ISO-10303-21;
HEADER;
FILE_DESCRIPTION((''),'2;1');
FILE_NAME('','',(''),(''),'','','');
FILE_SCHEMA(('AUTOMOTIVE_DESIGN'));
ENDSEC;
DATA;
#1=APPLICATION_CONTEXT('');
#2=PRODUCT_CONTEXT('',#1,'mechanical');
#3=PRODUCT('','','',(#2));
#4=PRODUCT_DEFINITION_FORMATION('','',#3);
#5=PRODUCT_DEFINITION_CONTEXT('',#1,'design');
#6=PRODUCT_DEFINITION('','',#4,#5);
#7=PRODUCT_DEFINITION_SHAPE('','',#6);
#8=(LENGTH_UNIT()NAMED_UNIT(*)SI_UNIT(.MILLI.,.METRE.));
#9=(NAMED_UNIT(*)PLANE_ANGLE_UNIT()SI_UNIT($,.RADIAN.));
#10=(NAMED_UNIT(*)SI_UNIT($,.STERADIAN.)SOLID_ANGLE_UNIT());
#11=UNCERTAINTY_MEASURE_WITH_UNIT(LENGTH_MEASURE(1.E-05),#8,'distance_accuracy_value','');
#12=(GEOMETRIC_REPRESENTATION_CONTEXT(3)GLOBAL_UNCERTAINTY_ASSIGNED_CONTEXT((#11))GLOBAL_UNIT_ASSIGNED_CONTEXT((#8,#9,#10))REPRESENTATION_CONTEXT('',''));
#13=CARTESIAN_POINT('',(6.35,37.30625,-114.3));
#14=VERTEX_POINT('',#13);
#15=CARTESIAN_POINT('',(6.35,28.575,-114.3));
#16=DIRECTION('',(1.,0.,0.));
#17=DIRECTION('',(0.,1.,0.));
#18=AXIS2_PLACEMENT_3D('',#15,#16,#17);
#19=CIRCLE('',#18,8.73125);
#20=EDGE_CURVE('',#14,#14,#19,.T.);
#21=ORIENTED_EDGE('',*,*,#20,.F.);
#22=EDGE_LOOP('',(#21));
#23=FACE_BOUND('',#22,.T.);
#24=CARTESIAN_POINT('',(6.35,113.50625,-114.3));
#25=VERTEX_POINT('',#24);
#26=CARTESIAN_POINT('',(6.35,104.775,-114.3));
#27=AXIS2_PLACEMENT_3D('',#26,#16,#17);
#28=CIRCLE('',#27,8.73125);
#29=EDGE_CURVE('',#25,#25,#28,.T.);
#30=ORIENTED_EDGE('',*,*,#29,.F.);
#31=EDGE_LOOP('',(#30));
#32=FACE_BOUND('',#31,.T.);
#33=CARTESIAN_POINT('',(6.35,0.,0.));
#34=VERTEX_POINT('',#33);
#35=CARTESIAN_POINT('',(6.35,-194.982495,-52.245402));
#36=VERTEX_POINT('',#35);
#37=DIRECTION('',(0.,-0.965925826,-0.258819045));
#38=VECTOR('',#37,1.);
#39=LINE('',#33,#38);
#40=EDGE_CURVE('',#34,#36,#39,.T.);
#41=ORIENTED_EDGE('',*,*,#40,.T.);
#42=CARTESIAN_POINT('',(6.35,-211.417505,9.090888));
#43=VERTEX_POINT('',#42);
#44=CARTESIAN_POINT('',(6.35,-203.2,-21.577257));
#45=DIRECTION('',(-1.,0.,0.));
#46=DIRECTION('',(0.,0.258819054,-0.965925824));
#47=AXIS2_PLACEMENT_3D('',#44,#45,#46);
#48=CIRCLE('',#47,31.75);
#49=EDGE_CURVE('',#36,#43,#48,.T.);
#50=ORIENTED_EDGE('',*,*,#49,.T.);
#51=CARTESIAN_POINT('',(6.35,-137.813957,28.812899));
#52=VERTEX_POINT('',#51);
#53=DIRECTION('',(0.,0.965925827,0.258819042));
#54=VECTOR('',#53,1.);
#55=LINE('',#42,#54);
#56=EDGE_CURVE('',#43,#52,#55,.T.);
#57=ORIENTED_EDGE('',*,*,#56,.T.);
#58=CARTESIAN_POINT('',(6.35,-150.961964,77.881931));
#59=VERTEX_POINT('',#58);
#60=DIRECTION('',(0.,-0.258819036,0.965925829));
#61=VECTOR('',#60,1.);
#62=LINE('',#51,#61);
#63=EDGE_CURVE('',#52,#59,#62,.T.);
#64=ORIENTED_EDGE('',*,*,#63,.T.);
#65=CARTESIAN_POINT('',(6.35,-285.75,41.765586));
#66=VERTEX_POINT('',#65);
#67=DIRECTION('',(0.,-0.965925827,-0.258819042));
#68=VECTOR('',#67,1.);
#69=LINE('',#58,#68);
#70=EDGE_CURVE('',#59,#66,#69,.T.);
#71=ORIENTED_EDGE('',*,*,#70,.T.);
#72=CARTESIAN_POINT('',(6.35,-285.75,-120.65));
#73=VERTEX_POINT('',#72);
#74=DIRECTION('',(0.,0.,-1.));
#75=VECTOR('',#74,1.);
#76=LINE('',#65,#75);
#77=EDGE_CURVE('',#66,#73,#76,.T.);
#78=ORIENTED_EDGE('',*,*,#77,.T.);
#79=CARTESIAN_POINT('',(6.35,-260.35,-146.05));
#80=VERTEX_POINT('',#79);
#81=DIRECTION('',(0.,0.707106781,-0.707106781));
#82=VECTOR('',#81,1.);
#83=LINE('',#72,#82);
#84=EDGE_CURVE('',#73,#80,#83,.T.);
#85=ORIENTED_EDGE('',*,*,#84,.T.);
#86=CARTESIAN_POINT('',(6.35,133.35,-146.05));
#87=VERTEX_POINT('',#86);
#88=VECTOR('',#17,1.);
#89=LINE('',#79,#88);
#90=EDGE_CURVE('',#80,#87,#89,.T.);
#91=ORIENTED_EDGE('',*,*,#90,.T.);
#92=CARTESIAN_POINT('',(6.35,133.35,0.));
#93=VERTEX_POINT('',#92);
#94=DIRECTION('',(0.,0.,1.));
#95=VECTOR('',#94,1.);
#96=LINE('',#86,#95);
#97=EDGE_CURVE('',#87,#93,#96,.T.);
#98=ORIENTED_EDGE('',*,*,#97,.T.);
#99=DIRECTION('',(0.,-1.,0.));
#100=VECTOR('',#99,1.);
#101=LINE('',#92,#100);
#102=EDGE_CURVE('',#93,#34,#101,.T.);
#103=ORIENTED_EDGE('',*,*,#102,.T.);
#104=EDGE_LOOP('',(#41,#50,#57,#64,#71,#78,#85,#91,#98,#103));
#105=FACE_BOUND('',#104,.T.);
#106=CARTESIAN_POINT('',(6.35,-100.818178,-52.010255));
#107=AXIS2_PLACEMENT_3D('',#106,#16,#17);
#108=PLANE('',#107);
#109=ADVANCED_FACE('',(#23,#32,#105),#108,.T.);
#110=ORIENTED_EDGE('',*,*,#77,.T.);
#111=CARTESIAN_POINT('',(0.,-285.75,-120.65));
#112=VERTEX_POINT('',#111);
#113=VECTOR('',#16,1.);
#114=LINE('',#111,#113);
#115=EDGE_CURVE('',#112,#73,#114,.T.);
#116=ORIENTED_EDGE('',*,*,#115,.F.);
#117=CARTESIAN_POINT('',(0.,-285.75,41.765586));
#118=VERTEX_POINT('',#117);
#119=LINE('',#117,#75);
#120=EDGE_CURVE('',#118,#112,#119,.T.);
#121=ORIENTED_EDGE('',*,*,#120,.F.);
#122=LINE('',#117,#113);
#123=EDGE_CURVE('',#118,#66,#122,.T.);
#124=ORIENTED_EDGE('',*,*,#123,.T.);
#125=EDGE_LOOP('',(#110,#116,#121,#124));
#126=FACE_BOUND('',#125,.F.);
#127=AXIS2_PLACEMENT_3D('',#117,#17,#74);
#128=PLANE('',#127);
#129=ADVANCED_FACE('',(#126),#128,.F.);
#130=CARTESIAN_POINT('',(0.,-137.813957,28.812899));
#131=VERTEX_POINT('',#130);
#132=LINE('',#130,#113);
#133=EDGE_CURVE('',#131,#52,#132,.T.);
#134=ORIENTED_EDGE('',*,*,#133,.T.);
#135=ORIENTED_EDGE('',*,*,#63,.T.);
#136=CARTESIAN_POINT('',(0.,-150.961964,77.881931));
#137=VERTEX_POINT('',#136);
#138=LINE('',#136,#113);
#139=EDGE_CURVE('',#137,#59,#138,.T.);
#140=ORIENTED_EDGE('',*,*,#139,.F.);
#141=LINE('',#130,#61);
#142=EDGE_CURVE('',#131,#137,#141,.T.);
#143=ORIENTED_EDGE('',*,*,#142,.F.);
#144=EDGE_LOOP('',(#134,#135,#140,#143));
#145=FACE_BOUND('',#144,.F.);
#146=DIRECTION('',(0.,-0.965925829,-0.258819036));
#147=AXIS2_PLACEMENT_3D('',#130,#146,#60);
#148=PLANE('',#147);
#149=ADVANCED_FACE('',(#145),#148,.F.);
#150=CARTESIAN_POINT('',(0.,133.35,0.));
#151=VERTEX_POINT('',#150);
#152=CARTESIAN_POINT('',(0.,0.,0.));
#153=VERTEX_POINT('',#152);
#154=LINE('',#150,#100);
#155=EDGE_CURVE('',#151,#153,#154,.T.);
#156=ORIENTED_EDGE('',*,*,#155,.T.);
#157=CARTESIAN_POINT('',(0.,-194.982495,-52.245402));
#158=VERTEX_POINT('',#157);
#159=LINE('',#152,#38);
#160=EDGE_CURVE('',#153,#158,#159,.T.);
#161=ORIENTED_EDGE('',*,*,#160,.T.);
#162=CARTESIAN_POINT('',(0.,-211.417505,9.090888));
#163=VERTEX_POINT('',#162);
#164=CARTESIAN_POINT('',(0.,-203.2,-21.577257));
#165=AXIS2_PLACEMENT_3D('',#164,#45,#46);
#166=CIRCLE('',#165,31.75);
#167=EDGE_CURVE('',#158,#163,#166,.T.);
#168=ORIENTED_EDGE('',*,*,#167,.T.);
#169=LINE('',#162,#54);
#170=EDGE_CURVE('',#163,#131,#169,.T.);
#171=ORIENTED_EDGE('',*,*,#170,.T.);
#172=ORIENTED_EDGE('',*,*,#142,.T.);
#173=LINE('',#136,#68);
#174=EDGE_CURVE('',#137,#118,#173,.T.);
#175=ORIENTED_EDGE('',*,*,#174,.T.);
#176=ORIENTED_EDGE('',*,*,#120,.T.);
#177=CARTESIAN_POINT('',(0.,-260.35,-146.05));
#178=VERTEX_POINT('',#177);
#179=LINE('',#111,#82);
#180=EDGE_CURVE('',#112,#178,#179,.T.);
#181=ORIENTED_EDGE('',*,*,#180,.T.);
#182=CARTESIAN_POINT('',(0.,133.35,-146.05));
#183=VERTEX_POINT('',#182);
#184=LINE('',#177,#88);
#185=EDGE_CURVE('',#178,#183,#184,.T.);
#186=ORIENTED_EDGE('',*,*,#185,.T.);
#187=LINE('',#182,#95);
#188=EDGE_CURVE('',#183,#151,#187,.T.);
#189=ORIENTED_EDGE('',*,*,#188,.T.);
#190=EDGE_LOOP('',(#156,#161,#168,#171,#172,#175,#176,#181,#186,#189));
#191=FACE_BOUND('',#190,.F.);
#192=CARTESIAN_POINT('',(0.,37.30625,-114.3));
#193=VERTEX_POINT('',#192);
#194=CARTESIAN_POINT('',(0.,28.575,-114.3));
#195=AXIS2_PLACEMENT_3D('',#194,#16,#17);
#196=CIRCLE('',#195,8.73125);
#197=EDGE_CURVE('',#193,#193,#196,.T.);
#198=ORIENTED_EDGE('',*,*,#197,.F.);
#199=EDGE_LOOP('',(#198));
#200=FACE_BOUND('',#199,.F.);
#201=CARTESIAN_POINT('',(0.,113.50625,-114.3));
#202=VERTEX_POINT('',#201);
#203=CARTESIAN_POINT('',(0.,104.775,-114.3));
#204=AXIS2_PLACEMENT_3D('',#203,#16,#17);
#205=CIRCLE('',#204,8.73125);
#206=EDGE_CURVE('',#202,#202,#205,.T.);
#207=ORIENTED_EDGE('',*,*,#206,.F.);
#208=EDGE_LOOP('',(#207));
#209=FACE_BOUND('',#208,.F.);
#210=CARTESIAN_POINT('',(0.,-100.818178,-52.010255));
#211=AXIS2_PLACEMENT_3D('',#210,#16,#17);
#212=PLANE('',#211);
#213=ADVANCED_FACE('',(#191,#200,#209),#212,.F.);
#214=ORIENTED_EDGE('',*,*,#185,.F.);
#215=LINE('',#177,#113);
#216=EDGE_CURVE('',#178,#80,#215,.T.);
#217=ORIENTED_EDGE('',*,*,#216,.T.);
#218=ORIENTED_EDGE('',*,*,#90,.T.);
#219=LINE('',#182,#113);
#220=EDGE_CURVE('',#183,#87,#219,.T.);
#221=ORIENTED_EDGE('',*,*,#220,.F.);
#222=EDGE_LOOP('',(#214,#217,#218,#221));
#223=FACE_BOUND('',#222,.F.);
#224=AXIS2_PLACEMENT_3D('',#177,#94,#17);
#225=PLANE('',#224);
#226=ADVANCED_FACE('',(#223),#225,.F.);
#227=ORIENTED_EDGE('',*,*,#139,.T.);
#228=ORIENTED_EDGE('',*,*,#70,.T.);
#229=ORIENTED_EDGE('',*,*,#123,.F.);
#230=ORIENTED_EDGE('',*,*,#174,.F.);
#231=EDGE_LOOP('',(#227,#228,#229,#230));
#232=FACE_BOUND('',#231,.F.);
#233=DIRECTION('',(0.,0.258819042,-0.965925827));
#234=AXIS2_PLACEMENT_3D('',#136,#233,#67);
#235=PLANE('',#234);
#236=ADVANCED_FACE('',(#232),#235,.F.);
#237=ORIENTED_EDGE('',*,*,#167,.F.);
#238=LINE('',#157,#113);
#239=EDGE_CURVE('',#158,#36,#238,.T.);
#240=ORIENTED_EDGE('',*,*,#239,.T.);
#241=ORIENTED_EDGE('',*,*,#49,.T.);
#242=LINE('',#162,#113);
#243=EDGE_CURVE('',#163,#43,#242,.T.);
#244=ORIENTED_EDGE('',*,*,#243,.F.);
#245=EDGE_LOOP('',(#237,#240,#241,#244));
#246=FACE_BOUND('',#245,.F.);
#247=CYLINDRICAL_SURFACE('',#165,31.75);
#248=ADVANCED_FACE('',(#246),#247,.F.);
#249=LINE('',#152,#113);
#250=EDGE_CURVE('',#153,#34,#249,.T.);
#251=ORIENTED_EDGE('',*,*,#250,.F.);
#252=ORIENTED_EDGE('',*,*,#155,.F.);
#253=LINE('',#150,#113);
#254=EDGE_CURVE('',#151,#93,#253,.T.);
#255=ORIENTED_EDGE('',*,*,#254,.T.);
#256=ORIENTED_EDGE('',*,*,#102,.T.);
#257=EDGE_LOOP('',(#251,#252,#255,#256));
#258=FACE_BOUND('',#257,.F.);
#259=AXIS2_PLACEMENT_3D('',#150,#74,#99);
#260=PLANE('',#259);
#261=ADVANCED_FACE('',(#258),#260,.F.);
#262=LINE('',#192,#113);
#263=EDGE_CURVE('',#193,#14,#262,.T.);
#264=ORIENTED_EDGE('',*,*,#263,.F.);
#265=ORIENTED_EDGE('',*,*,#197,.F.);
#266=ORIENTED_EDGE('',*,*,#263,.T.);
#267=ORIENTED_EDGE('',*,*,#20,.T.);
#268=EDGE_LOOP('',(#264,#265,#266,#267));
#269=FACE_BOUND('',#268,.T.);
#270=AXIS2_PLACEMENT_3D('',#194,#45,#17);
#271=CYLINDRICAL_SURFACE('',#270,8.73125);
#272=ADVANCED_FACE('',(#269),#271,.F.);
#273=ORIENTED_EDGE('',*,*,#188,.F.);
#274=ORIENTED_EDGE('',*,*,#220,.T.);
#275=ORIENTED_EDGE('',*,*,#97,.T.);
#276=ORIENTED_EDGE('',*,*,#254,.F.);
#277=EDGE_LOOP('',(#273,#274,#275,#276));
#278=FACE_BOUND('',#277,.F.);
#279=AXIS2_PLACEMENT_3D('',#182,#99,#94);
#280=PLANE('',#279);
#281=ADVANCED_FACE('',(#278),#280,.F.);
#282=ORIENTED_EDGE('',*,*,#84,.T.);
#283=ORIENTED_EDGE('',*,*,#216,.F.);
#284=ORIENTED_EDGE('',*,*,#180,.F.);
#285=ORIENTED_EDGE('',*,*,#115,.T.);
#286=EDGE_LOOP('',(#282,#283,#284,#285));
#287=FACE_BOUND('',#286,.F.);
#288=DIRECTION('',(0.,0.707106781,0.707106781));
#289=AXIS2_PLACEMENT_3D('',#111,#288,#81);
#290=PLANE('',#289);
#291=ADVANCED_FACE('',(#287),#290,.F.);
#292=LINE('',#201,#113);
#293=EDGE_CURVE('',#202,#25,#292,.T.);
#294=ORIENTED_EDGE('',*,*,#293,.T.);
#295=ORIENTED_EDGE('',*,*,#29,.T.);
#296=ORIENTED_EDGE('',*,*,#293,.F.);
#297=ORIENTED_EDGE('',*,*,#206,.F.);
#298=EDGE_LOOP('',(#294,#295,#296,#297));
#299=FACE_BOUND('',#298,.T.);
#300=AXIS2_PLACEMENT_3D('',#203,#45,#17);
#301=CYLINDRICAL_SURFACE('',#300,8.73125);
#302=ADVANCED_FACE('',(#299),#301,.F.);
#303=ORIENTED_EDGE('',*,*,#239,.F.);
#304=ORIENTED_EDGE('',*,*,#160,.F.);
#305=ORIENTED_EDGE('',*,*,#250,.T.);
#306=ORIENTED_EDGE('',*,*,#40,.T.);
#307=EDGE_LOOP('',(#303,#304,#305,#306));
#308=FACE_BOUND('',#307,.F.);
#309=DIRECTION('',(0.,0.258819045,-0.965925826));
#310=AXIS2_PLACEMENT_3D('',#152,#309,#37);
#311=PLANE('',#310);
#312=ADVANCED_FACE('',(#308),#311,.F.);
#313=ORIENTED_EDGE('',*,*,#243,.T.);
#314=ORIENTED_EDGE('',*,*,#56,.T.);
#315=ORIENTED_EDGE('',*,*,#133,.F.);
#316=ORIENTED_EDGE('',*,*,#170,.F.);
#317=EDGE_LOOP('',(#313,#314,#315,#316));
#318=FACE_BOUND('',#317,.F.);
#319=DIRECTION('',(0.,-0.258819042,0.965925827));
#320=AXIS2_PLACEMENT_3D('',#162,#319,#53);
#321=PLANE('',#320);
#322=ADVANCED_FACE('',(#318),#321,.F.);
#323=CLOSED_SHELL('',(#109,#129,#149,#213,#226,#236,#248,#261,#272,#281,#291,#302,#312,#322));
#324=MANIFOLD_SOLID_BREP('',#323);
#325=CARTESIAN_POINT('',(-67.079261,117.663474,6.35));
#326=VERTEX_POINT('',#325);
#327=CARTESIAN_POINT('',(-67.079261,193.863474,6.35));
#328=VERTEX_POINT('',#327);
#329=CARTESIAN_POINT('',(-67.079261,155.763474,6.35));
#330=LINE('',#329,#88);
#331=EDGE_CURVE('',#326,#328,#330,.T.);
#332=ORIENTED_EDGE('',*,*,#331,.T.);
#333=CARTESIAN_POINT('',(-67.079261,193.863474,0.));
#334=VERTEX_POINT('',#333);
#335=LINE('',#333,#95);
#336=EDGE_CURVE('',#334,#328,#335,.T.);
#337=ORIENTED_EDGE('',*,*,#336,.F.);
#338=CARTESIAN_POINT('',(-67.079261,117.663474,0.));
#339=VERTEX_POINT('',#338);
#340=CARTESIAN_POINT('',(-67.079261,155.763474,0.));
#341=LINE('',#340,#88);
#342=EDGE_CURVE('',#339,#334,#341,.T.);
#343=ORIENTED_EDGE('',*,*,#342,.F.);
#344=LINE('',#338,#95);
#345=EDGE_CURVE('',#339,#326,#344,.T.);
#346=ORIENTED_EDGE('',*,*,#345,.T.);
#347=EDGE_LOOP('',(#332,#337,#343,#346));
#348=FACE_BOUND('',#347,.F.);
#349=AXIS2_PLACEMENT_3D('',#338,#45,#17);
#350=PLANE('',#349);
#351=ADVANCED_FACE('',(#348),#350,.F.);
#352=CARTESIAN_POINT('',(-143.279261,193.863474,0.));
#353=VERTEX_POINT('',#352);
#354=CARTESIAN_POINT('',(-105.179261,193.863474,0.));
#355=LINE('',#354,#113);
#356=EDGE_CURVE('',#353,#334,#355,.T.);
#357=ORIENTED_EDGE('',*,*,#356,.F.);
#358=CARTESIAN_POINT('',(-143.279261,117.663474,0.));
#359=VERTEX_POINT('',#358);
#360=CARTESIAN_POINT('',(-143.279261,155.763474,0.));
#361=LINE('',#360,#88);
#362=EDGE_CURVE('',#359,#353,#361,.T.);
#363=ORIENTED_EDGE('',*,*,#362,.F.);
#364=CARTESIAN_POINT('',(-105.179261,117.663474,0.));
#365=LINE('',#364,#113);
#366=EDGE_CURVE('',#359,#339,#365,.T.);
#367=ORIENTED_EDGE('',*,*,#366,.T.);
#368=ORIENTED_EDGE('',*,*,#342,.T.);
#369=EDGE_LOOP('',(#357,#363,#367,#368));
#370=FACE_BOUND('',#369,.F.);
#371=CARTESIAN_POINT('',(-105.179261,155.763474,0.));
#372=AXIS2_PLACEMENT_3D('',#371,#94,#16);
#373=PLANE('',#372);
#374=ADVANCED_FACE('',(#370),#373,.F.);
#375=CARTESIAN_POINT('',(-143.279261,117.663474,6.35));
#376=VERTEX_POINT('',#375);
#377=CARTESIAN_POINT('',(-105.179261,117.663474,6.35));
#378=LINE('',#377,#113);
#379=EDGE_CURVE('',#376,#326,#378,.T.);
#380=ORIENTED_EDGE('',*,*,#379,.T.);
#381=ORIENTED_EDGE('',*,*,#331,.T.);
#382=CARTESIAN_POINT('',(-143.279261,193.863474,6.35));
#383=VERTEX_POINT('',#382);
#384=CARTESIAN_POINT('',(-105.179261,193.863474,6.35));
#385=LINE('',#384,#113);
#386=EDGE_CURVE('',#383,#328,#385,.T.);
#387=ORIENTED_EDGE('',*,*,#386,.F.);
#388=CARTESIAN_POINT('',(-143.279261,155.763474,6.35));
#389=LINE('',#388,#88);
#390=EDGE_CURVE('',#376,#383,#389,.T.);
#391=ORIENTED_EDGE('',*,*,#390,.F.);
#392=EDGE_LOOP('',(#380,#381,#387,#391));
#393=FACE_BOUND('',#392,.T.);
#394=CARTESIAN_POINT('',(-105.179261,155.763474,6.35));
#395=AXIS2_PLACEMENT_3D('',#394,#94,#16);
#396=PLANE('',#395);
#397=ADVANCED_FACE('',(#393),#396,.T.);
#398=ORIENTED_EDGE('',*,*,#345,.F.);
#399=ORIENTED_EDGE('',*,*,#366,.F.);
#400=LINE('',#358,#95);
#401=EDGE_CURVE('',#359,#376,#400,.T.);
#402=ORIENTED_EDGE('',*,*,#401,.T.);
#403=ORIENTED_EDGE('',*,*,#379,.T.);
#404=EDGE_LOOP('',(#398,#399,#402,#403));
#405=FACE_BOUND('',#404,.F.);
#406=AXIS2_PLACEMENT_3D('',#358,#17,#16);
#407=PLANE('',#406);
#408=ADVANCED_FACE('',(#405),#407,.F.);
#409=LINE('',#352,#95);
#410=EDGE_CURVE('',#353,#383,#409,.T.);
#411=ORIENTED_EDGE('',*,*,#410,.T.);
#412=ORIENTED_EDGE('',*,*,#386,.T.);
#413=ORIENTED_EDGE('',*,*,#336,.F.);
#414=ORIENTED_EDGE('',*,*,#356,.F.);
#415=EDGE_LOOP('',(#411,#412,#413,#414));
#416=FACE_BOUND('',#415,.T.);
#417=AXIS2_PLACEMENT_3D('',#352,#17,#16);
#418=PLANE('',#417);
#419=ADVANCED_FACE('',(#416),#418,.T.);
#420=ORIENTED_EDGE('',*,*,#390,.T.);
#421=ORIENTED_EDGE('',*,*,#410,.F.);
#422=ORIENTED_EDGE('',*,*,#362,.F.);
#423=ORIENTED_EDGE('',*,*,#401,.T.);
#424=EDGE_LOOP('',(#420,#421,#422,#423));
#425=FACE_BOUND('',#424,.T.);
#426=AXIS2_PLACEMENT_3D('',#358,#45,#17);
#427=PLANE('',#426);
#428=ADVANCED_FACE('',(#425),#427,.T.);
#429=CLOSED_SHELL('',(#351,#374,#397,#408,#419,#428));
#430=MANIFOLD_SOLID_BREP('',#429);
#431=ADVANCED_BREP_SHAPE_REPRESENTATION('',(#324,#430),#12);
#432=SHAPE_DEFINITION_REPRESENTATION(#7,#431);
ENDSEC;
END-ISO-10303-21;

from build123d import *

# Parameters (mm, degrees)
F0_R     = 8.73125
F1_DEPTH = 6.35
F2_W     = 76.2
F2_H     = 76.2
F3_DEPTH = 6.35


with BuildPart() as f1:
    # F0 (on Right) → F1 (new body)
    with BuildSketch(Plane.YZ):
        with BuildLine():
            Line((133.35, 0), (0, 0))
            Line((0, 0), (-194.982495, -52.245402))
            ThreePointArc((-194.982495, -52.245402), (-233.868145, -29.794762), (-211.417505, 9.090888))
            Line((-211.417505, 9.090888), (-137.813957, 28.812899))
            Line((-137.813957, 28.812899), (-150.961964, 77.881931))
            Line((-150.961964, 77.881931), (-285.75, 41.765586))
            Line((-285.75, 41.765586), (-285.75, -120.65))
            Line((-285.75, -120.65), (-260.35, -146.05))
            Line((-260.35, -146.05), (0, -146.05))
            Line((0, -146.05), (133.35, -146.05))
            Line((133.35, -146.05), (133.35, 0))
        make_face()
        with Locations((28.575, -114.3)):
            Circle(F0_R, mode=Mode.SUBTRACT)
        with Locations((104.775, -114.3)):
            Circle(F0_R, mode=Mode.SUBTRACT)
    extrude(amount=F1_DEPTH)


with BuildPart() as f3:
    # F2 (on Top) → F3 (new body)
    with BuildSketch(Plane.XY):
        with Locations((-105.179261, 155.763474)):
            Rectangle(F2_W, F2_H)
    extrude(amount=F3_DEPTH)


solid = Compound([f1.part, f3.part])
